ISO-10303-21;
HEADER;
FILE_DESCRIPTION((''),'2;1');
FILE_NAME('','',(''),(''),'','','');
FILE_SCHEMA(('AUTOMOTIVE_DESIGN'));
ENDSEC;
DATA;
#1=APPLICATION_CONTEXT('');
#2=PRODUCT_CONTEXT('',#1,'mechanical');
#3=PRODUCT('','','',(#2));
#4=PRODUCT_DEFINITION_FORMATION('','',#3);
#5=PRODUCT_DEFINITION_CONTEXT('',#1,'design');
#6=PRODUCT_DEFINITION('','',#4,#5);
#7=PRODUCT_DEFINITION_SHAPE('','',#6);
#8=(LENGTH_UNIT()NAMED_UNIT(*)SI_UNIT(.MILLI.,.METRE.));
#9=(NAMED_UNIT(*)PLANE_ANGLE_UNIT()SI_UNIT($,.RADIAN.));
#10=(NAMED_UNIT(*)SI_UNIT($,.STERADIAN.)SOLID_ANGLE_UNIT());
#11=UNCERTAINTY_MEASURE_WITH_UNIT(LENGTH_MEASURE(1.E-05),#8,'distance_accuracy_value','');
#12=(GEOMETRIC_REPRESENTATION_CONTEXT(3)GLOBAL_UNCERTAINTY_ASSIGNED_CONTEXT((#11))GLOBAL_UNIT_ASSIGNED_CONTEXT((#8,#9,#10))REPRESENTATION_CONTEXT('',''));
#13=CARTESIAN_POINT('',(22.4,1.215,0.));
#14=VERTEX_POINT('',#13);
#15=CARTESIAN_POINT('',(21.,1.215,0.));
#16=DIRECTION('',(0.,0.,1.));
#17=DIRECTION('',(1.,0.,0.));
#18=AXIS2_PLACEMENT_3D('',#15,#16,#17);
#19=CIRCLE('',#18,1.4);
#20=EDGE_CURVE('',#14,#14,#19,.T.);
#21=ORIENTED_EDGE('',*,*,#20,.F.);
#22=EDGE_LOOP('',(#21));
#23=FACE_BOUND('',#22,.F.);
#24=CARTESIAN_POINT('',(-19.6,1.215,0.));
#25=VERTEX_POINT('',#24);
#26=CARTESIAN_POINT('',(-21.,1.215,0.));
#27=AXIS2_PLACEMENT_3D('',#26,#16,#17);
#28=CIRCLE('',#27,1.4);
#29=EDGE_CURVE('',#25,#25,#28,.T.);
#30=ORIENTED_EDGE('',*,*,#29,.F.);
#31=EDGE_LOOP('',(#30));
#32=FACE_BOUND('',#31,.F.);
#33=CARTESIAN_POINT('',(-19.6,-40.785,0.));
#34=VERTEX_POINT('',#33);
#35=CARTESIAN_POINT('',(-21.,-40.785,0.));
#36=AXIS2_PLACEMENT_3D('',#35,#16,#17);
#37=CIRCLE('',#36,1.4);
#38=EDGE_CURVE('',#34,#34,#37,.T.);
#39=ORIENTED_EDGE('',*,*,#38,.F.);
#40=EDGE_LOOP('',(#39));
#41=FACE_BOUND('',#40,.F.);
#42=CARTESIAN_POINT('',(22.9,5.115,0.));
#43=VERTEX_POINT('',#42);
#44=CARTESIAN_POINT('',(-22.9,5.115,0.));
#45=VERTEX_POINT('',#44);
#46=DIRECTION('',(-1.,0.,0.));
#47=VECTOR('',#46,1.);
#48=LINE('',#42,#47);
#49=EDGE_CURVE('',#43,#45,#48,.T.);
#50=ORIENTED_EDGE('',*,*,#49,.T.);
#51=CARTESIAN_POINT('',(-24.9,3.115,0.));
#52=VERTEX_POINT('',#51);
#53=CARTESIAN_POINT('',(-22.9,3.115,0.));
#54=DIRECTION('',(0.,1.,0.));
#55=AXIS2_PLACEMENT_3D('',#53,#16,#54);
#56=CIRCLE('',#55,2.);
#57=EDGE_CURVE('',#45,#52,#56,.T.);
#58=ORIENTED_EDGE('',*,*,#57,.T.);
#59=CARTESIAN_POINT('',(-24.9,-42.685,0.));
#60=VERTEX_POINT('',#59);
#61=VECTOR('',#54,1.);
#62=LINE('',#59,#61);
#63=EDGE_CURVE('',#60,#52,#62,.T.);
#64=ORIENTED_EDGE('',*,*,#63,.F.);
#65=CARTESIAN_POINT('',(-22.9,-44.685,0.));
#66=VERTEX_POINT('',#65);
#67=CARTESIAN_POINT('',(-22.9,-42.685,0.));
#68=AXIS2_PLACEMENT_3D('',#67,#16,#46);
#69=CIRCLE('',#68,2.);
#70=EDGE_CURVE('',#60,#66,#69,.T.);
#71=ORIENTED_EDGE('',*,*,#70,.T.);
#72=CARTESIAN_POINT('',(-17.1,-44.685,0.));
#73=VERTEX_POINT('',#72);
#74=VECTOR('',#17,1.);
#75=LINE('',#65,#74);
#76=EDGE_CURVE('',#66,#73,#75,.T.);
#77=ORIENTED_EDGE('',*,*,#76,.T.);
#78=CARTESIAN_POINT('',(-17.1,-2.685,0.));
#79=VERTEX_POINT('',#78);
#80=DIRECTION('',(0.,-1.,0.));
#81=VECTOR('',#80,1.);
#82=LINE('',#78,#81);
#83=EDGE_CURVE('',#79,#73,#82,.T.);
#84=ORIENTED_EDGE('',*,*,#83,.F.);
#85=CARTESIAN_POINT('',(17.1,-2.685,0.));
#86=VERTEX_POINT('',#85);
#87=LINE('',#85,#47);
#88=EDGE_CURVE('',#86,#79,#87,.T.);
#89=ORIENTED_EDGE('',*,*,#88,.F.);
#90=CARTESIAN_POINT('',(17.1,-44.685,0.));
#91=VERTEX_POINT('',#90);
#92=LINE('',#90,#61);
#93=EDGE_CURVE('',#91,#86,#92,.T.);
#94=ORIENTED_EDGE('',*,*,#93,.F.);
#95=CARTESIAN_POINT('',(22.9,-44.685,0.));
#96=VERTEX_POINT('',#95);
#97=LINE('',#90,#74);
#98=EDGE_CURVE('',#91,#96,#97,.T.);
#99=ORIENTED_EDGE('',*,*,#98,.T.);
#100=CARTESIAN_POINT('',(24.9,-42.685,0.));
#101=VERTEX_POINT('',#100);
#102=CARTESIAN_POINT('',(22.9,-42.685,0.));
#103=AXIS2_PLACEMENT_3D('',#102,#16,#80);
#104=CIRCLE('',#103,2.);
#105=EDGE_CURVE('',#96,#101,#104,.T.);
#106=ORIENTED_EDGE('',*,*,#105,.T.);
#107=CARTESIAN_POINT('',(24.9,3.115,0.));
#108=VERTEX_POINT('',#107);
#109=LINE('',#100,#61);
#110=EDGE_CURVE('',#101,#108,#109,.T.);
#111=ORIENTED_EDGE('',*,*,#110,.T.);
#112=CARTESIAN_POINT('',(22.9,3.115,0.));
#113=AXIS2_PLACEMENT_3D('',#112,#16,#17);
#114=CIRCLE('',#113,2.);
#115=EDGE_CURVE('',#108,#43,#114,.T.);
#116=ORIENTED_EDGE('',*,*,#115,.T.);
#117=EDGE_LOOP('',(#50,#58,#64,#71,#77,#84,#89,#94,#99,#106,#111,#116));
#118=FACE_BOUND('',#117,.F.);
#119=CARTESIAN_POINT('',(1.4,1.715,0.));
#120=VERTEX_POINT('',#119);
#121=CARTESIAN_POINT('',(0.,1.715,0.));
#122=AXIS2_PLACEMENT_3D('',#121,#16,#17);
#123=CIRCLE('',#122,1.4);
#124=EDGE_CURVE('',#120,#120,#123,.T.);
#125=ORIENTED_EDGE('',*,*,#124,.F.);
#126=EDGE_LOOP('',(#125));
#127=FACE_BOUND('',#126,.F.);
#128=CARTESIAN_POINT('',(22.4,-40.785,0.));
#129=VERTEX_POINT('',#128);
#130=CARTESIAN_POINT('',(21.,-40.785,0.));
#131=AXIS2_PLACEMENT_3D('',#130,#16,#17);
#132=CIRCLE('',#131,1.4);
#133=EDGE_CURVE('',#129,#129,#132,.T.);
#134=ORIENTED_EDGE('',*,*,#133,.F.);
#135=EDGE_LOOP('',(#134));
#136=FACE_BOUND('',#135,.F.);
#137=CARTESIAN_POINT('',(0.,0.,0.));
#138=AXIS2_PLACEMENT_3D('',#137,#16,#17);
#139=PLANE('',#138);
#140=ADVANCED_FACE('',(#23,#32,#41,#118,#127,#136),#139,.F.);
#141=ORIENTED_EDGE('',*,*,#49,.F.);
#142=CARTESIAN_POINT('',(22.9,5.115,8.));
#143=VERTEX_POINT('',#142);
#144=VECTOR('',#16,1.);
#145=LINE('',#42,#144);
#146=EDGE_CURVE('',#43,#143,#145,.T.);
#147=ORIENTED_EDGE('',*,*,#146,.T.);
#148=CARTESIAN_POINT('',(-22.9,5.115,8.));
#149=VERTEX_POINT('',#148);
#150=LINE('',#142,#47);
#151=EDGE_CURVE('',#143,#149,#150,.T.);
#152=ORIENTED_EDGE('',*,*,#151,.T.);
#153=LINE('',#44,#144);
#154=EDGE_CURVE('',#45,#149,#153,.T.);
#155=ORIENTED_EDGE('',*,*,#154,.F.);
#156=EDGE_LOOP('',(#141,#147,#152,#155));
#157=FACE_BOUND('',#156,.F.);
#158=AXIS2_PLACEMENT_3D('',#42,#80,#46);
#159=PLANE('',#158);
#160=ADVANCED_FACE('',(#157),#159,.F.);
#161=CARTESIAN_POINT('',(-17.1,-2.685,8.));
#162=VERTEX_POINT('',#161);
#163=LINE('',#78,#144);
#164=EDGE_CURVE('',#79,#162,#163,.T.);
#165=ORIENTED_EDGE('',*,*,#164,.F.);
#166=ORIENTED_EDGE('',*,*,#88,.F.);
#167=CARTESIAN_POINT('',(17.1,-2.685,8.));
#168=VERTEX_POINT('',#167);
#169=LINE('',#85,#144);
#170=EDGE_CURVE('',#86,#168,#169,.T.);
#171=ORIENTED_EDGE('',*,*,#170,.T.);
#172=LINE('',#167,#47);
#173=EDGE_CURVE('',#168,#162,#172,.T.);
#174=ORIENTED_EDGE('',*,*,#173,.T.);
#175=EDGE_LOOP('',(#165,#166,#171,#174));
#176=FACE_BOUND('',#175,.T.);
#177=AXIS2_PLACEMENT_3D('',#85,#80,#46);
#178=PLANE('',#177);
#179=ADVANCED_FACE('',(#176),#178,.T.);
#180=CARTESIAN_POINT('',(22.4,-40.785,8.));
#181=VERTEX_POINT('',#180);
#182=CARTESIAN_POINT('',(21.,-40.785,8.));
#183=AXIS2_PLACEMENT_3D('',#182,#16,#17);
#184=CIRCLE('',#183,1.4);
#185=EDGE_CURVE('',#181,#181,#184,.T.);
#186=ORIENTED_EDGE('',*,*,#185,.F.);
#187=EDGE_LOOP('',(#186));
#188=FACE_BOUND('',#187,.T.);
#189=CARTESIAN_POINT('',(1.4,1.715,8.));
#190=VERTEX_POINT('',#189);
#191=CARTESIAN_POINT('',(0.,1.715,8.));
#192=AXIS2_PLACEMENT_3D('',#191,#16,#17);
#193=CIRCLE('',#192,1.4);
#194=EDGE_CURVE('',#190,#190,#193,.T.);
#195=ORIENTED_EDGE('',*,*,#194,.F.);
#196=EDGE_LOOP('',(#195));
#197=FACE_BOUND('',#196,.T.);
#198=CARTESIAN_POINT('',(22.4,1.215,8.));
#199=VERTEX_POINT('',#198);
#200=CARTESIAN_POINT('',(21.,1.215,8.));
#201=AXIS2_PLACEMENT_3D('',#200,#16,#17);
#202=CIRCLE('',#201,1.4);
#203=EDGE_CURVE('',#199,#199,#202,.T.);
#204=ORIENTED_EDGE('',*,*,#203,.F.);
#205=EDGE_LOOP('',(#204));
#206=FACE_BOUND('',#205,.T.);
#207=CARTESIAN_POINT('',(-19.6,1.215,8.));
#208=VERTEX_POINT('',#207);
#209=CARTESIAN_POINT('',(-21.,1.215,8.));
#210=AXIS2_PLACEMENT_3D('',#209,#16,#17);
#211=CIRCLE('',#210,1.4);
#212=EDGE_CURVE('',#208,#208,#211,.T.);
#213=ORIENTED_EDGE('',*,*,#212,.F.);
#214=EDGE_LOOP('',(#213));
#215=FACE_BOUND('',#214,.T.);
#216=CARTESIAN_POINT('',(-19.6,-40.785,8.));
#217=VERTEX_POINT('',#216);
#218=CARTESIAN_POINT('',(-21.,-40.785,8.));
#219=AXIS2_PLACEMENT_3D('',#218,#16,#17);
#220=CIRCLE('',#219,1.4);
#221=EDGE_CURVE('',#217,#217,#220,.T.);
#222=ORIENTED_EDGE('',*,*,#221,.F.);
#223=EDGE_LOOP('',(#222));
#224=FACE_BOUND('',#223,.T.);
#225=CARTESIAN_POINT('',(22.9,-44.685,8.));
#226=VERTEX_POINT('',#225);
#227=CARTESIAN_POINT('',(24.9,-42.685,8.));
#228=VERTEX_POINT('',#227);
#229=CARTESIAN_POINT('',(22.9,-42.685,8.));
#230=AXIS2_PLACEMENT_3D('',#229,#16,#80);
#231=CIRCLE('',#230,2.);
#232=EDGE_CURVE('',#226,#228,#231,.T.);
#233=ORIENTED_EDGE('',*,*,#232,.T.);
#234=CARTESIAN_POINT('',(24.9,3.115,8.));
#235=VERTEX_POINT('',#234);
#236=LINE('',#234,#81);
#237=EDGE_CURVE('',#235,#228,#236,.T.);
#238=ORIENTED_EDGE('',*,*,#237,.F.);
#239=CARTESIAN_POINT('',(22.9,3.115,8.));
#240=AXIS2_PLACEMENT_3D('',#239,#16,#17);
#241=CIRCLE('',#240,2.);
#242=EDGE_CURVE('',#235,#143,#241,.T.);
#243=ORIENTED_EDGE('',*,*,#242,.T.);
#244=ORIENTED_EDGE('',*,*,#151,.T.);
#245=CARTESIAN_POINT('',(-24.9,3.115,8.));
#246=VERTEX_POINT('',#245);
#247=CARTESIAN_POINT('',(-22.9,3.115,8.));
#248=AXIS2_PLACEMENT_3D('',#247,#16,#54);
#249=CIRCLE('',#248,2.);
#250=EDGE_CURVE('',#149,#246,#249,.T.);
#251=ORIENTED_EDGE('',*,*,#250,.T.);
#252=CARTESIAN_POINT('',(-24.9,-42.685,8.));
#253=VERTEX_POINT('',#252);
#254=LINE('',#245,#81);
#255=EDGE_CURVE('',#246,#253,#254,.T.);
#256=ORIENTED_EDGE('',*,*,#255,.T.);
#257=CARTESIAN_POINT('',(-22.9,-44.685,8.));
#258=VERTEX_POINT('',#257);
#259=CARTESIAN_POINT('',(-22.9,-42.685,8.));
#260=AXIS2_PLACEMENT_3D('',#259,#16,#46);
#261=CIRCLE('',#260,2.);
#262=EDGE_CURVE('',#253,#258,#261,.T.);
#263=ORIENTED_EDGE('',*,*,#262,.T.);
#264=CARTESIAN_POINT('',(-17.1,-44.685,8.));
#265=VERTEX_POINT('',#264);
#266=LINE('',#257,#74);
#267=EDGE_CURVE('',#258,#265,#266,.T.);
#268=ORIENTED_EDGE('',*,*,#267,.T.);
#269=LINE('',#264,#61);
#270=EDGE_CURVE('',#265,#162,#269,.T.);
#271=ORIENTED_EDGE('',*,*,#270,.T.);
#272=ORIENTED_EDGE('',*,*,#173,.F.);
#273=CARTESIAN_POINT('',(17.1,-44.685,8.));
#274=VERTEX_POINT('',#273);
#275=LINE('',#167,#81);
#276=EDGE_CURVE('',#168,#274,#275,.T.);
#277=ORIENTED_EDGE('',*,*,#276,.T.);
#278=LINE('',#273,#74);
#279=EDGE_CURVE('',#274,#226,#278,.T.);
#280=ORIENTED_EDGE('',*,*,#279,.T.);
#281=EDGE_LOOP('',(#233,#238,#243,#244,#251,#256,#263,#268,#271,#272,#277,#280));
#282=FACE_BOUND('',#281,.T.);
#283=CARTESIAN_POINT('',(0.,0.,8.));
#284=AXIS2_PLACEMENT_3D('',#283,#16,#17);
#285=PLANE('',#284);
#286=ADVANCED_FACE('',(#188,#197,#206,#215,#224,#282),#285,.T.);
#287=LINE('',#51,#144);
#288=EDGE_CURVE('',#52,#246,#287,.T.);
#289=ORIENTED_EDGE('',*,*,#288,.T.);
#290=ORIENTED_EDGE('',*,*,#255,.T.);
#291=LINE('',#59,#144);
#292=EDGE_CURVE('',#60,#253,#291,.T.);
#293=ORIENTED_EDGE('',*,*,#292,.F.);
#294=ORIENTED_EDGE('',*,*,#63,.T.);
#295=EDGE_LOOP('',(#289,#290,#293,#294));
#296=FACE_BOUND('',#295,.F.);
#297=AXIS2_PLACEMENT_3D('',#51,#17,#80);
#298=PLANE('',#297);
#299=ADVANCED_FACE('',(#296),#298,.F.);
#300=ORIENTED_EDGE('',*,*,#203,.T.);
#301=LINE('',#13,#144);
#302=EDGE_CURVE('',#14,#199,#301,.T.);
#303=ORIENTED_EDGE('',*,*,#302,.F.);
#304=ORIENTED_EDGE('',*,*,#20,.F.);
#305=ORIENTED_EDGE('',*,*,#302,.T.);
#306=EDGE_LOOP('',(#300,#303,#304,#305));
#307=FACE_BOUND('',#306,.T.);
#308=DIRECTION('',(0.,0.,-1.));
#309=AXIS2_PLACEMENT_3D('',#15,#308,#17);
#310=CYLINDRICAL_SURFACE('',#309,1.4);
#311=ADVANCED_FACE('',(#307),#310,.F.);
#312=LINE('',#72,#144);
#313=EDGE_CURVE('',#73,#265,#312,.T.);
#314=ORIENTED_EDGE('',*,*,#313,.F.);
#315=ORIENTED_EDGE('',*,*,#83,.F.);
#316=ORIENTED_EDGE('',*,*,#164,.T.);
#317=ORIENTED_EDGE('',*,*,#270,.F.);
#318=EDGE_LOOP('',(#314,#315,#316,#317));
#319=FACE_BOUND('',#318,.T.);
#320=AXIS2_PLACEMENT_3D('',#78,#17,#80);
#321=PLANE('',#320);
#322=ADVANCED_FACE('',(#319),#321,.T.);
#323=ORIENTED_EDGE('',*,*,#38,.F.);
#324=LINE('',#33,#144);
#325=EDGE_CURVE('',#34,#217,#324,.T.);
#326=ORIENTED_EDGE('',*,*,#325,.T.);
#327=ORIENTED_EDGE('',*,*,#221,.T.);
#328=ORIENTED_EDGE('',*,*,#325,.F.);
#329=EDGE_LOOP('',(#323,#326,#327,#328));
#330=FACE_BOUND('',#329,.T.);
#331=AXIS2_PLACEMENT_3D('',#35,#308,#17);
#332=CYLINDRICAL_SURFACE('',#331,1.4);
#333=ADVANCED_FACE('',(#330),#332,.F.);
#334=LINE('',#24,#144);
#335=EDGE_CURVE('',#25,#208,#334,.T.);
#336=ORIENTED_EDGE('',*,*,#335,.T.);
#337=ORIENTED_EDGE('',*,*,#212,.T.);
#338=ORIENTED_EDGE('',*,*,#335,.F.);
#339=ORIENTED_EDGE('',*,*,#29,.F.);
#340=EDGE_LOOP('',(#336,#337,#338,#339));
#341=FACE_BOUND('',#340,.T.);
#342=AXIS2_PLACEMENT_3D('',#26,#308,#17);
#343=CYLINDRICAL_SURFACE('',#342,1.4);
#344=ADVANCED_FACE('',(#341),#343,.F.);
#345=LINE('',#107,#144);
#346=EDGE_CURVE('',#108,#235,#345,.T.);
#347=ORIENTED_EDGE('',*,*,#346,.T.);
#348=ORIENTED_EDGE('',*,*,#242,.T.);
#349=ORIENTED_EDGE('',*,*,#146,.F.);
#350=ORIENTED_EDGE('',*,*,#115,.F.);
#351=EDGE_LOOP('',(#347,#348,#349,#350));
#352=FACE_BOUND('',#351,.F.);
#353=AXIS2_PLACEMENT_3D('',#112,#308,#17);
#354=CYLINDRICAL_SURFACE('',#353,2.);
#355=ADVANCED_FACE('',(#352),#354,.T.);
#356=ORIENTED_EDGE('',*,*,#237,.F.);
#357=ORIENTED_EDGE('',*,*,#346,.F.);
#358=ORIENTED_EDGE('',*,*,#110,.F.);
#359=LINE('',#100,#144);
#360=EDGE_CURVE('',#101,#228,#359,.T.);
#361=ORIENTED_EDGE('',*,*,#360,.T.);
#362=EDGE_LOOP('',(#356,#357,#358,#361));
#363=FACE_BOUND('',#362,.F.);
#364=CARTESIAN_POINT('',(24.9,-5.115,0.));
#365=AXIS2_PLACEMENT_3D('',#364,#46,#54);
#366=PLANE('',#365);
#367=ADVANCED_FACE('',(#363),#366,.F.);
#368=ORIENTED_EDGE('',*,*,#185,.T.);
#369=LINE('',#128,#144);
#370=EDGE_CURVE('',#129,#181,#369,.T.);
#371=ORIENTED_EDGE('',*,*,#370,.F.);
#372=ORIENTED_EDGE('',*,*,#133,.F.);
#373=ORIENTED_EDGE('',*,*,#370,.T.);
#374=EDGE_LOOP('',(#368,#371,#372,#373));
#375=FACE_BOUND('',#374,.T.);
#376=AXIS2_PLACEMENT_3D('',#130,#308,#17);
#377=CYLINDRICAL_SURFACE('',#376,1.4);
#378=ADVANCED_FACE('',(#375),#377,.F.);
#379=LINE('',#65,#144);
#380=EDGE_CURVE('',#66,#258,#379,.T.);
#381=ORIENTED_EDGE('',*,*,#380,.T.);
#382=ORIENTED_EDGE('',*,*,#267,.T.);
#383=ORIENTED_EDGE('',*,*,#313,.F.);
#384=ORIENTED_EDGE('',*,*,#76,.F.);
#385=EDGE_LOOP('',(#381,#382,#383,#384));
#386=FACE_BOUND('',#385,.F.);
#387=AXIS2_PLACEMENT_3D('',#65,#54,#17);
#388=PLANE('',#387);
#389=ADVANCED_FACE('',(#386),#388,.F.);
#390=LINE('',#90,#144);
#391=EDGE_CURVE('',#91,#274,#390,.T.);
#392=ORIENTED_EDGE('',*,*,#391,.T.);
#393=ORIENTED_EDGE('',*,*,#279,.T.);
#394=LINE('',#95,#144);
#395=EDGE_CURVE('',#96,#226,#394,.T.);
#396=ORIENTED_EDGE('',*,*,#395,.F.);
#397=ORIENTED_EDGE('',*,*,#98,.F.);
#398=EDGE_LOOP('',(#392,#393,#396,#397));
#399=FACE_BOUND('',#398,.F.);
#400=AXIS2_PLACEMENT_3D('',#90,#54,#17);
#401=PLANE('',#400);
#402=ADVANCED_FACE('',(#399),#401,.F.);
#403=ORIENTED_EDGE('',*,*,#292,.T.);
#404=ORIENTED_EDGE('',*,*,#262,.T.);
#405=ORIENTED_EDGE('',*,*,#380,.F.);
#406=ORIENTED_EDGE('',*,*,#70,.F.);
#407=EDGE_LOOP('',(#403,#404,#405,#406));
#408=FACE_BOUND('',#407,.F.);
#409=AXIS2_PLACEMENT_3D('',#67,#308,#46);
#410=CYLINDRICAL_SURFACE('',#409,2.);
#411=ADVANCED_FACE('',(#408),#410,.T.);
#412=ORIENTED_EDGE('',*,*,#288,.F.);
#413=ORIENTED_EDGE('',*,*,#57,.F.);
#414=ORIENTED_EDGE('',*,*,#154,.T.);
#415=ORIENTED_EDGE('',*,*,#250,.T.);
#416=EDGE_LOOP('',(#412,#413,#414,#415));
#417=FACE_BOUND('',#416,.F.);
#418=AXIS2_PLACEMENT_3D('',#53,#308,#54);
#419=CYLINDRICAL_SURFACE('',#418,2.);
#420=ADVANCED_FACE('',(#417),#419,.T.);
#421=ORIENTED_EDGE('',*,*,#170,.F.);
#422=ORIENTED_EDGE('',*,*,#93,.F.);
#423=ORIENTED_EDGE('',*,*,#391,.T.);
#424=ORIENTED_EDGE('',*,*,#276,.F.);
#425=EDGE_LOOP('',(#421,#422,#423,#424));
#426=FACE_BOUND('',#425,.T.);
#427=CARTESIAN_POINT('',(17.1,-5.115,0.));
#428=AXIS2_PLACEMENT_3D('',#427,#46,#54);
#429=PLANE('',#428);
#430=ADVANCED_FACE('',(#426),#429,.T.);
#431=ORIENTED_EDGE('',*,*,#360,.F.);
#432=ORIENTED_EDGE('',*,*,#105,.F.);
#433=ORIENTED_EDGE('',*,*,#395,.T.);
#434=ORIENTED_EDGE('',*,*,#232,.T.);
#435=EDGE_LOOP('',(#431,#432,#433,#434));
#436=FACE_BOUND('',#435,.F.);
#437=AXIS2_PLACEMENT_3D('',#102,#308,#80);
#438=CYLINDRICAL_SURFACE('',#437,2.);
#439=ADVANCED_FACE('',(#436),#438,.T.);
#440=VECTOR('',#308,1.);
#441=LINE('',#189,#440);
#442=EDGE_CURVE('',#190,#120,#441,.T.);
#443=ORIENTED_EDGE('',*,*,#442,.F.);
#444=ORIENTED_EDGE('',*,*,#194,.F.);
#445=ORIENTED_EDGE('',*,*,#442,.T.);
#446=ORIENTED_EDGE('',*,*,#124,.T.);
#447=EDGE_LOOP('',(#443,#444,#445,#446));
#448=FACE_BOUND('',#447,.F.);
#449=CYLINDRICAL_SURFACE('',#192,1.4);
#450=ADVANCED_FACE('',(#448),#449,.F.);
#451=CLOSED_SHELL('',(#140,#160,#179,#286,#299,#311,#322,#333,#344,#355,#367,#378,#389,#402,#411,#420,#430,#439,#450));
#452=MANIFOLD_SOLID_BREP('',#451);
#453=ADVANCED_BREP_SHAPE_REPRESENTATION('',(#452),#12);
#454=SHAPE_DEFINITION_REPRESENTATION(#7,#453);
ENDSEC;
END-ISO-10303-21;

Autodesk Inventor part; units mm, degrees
ref_plane "YZ Plane" through (0, 0, 0) normal (1, 0, 0) x (0, 1, 0)
ref_plane "XZ Plane" through (0, 0, 0) normal (0, 1, 0) x (-1, 0, 0)
ref_plane "XY Plane" through (0, 0, 0) normal (0, 0, 1) x (1, 0, 0)
sketch "Sketch1" plane through (0, 0, 0) normal (0, 0, 1) x (1, 0, 0)
  circle A0 centre (-21, 1.215) radius 1.4 projected
  circle A1 centre (21, 1.215) radius 1.4 projected
  arc A2 (24.9, 3.115) -> (22.9, 5.115) centre (22.9, 3.115) ccw projected
  line L0 (22.9, 5.115) -> (-22.9, 5.115) projected
  arc A3 (-22.9, 5.115) -> (-24.9, 3.115) centre (-22.9, 3.115) ccw projected
  line L1 (-24.9, 3.115) -> (-24.9, -5.115) projected
  line L2 (-24.9, -5.115) -> (24.9, -5.115) projected
  line L3 (24.9, -5.115) -> (24.9, 3.115) projected
  arc A4 (22.9, -44.685) -> (24.9, -42.685) centre (22.9, -42.685) ccw projected
  line L4 (24.9, -42.685) -> (24.9, -36.885) projected
  line L5 (24.9, -36.885) -> (17.1, -36.885) projected
  line L6 (17.1, -36.885) -> (17.1, -44.685) projected
  line L7 (17.1, -44.685) -> (22.9, -44.685) projected
  circle A5 centre (21, -40.785) radius 1.4 projected
  arc A6 (-24.9, -42.685) -> (-22.9, -44.685) centre (-22.9, -42.685) ccw projected
  line L8 (-22.9, -44.685) -> (-17.1, -44.685) projected
  line L9 (-17.1, -44.685) -> (-17.1, -36.885) projected
  line L10 (-17.1, -36.885) -> (-24.9, -36.885) projected
  line L11 (-24.9, -36.885) -> (-24.9, -42.685) projected
  circle A7 centre (-21, -40.785) radius 1.4 projected
  line L12 (24.9, 5.115) -> (-24.9, 5.115)
  line L13 (-24.9, 5.115) -> (-24.9, -44.685)
  line L14 (-24.9, -44.685) -> (24.9, -44.685)
  line L15 (24.9, -44.685) -> (24.9, 5.115)
  line L16 (17.1, -2.685) -> (-17.1, -2.685)
  line L17 (-17.1, -2.685) -> (-17.1, -36.885)
  line L18 (-17.1, -36.885) -> (17.1, -36.885)
  line L19 (17.1, -36.885) -> (17.1, -2.685)
  line L20 (17.1, -36.885) -> (17.1, -44.685)
  line L21 (-17.1, -36.885) -> (-17.1, -44.685)
  circle A8 centre (0, 1.415) radius 1.4 projected
  point P0 (0, 0)
  dimension "d0" = 7.8
extrude "Extrusion1" add sketch "Sketch1" along normal blind 8 contours L3 L2 L19 L16 L17 L1 A3 L0 A2 | L15 L5 L19 L2 | L4 A4 L7 L6 L5 | L17 L10 L13 L2 | L9 L8 A6 L11 L10 | A8
sketch "Sketch2" plane through (0, 0, 8) normal (0, 0, 1) x (1, 0, 0)
  circle A0 centre (0, 1.715) radius 1.4
  line L0 (22.9, 5.115) -> (-22.9, 5.115) projected
  point P0 (0, 0)
  dimension "d3" = 2.8
  dimension "d4" = 3.4
extrude "Extrusion2" cut sketch "Sketch2" against normal blind 8
properties part number "00_Linear_Stage_NEMA11_Mount_Lid"
